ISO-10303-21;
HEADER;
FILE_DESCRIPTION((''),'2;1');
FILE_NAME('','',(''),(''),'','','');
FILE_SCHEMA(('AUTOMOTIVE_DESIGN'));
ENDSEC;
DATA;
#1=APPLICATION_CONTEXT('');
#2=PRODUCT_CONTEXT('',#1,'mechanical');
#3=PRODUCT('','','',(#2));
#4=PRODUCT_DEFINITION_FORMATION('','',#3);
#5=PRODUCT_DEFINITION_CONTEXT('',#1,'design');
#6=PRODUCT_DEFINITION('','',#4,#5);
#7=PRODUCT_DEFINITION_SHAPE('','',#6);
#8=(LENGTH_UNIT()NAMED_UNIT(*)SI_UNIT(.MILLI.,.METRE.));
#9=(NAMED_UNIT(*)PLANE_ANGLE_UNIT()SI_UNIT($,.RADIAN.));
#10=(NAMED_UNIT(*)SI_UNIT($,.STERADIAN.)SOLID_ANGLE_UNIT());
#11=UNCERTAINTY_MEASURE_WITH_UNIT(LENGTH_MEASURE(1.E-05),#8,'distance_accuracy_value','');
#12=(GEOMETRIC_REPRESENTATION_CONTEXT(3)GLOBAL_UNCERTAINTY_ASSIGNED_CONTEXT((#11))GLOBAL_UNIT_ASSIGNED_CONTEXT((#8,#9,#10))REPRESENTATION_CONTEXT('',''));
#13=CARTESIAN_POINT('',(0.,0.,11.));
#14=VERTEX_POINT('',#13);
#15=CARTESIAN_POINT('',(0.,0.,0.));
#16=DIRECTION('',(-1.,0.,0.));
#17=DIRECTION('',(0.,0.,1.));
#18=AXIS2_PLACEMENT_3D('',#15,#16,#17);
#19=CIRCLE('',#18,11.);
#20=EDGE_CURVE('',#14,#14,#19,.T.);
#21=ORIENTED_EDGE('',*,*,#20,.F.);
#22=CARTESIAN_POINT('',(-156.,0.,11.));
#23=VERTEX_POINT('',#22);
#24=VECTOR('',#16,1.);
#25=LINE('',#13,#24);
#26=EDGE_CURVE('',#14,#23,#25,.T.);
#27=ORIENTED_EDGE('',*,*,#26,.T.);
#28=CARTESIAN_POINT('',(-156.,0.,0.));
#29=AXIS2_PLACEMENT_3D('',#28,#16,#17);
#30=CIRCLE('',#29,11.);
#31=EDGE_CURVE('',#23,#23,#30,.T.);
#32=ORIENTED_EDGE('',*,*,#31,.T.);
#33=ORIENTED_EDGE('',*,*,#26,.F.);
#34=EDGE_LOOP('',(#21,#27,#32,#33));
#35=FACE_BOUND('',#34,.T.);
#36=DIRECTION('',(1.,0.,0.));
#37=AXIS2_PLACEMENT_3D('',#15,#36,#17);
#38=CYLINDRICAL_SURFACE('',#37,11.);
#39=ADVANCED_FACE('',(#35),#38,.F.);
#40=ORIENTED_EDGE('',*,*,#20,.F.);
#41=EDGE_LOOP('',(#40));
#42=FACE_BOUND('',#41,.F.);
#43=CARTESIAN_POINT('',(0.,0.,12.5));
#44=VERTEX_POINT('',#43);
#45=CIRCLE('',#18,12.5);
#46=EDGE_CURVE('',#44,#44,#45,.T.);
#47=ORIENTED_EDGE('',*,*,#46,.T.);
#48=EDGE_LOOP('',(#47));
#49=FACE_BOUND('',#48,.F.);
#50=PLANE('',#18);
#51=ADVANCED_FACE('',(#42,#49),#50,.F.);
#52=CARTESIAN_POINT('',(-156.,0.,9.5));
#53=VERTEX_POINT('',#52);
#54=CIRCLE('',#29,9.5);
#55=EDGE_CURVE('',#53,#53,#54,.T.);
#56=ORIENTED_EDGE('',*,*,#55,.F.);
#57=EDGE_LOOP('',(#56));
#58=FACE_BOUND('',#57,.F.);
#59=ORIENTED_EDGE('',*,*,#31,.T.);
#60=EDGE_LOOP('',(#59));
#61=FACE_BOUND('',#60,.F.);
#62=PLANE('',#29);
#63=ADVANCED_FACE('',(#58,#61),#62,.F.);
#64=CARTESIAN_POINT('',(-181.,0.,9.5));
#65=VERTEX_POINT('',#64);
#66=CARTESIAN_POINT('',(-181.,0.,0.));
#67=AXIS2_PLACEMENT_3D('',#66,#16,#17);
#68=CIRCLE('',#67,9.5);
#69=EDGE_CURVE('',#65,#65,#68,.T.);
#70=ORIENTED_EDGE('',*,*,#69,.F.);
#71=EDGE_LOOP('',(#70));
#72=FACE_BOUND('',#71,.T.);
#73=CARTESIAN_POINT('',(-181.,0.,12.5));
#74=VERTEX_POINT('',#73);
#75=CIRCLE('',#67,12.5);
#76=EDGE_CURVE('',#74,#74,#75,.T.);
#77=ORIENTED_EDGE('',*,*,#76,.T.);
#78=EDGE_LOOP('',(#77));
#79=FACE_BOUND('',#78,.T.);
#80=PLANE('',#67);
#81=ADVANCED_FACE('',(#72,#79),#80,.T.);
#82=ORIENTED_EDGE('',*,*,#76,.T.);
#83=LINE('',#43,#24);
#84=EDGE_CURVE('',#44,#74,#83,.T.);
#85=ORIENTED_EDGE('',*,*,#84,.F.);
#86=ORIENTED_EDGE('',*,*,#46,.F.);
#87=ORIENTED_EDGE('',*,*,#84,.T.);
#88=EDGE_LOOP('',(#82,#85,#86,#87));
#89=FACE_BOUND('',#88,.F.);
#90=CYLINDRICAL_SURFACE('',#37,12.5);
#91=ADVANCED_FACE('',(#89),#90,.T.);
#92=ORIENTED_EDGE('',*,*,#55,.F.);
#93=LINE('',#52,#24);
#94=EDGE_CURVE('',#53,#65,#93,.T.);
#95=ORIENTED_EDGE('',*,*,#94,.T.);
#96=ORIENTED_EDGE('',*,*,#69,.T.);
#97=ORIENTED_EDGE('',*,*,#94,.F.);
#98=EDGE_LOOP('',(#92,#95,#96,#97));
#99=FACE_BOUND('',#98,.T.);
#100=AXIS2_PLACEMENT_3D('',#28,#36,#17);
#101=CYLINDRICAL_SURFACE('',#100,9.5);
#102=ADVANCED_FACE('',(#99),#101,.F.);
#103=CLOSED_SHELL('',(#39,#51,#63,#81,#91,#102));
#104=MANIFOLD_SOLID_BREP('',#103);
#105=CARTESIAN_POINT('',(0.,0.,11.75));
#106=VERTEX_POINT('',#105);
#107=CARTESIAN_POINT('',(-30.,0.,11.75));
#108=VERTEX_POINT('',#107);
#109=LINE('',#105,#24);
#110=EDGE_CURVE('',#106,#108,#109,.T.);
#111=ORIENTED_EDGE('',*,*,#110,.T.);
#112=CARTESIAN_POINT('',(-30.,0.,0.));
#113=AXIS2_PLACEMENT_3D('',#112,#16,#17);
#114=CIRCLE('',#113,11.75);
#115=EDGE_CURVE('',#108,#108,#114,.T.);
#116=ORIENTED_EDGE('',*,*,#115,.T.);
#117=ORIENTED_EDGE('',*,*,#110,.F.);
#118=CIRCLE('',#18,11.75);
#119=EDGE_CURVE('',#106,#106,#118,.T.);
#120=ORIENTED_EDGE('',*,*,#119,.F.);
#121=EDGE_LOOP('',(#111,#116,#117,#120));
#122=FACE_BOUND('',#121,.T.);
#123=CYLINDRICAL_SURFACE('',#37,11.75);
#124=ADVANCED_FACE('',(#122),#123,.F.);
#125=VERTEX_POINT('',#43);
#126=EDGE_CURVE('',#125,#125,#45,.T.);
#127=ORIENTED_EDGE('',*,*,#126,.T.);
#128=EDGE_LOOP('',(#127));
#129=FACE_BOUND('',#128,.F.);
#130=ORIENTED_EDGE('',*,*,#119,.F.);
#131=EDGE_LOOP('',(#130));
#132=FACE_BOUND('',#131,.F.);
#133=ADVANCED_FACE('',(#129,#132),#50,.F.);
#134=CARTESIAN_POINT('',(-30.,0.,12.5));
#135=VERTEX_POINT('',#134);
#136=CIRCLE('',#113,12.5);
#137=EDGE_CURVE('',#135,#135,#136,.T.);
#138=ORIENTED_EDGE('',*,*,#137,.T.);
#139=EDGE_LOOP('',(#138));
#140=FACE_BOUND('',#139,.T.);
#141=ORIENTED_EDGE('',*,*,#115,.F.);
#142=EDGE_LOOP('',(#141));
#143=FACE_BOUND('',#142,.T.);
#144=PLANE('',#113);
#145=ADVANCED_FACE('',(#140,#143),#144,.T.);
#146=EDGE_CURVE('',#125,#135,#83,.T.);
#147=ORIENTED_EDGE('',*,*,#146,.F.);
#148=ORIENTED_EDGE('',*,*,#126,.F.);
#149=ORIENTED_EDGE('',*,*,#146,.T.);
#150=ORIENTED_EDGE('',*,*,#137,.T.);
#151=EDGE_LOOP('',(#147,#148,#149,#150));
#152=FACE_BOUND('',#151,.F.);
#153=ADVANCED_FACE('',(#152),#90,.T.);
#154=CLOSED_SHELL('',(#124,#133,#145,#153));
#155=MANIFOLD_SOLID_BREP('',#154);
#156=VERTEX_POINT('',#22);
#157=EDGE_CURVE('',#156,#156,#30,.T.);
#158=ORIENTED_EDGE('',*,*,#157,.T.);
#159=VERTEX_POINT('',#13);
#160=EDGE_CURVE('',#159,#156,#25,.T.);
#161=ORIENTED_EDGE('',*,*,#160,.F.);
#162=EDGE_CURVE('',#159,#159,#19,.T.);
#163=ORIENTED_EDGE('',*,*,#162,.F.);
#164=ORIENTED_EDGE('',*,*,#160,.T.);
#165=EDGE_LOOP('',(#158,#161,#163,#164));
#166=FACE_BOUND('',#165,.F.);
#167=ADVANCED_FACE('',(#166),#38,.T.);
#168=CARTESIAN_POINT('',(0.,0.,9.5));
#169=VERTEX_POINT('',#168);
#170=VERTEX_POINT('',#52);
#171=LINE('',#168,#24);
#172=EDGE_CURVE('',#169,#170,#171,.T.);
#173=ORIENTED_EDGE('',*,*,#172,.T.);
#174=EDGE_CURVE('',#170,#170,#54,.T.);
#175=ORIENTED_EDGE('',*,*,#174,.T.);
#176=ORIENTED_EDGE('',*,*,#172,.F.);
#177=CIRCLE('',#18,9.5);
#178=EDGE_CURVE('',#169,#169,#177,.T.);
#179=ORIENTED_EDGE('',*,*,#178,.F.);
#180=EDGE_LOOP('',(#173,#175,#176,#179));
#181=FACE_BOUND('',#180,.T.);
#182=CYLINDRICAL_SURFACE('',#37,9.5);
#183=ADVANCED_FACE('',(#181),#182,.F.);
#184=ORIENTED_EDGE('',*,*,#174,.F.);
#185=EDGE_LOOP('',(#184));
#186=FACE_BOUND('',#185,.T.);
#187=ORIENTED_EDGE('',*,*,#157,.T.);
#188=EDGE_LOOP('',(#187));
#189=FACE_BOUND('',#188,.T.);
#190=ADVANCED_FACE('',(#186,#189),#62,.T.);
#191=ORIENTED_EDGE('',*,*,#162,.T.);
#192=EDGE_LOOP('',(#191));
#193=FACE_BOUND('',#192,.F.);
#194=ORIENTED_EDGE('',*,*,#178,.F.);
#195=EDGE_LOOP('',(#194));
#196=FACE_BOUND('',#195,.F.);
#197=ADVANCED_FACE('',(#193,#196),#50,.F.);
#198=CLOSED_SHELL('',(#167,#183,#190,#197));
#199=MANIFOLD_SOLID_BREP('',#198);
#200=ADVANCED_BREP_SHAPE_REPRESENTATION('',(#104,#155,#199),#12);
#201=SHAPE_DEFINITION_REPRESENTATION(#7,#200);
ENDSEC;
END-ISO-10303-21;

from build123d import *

# Parameters (mm, degrees)
CYLINDER001_R           = 9.5
CYLINDER001_DEPTH       = 156
CYLINDER001_PITCH_ANGLE = -90
CYLINDER_R              = 11
CYLINDER_DEPTH          = 156
CYLINDER_PITCH_ANGLE    = -90
CYLINDER004_R           = 9.5
CYLINDER004_DEPTH       = 25
CYLINDER004_PITCH_ANGLE = -90
CYLINDER003_R           = 11
CYLINDER003_DEPTH       = 156
CYLINDER003_PITCH_ANGLE = -90
CYLINDER002_R           = 12.5
CYLINDER002_DEPTH       = 181
CYLINDER002_PITCH_ANGLE = -90
CYLINDER006_R           = 11.75
CYLINDER006_DEPTH       = 30
CYLINDER006_PITCH_ANGLE = -90
CYLINDER005_R           = 12.5
CYLINDER005_DEPTH       = 30
CYLINDER005_PITCH_ANGLE = -90


with BuildPart() as innerc:
    # Cylinder001 → Cylinder001 (new body)
    with BuildSketch(Plane.XY):
        Circle(CYLINDER001_R)
    extrude(amount=CYLINDER001_DEPTH)


with BuildPart() as innerc_1:
    # Cylinder001 pitch: moved
    add(innerc.part.rotate(Axis((0, 0, 0), (0, 1, 0)), CYLINDER001_PITCH_ANGLE))


with BuildPart() as innerc_2:
    # Cylinder001 placement: moved
    add(innerc_1.part)


with BuildPart() as steeltube:
    # Cylinder → Cylinder (new body)
    with BuildSketch(Plane.XY):
        Circle(CYLINDER_R)
    extrude(amount=CYLINDER_DEPTH)


with BuildPart() as steeltube_1:
    # Cylinder pitch: moved
    add(steeltube.part.rotate(Axis((0, 0, 0), (0, 1, 0)), CYLINDER_PITCH_ANGLE))


with BuildPart() as steeltube_2:
    # Cylinder placement: moved
    add(steeltube_1.part)

    # Cut: cut InnerC
    add(innerc_2.part, mode=Mode.SUBTRACT)


with BuildPart() as cylinder004:
    # Cylinder004 → Cylinder004 (new body)
    with BuildSketch(Plane.XY):
        Circle(CYLINDER004_R)
    extrude(amount=CYLINDER004_DEPTH)


with BuildPart() as cylinder004_1:
    # Cylinder004 pitch: moved
    add(cylinder004.part.rotate(Axis((0, 0, 0), (0, 1, 0)), CYLINDER004_PITCH_ANGLE))


with BuildPart() as cylinder004_2:
    # Cylinder004 placement: moved
    add(cylinder004_1.part.moved(Location((-156, 0, 0))))


with BuildPart() as cylinder003:
    # Cylinder003 → Cylinder003 (new body)
    with BuildSketch(Plane.XY):
        Circle(CYLINDER003_R)
    extrude(amount=CYLINDER003_DEPTH)


with BuildPart() as cylinder003_1:
    # Cylinder003 pitch: moved
    add(cylinder003.part.rotate(Axis((0, 0, 0), (0, 1, 0)), CYLINDER003_PITCH_ANGLE))


with BuildPart() as cylinder003_2:
    # Cylinder003 placement: moved
    add(cylinder003_1.part)


with BuildPart() as batterypart:
    # Cylinder002 → Cylinder002 (new body)
    with BuildSketch(Plane.XY):
        Circle(CYLINDER002_R)
    extrude(amount=CYLINDER002_DEPTH)


with BuildPart() as batterypart_1:
    # Cylinder002 pitch: moved
    add(batterypart.part.rotate(Axis((0, 0, 0), (0, 1, 0)), CYLINDER002_PITCH_ANGLE))


with BuildPart() as batterypart_2:
    # Cylinder002 placement: moved
    add(batterypart_1.part)

    # Cut001: cut Cylinder003
    add(cylinder003_2.part, mode=Mode.SUBTRACT)

    # Cut002: cut Cylinder004
    add(cylinder004_2.part, mode=Mode.SUBTRACT)


with BuildPart() as cylinder006:
    # Cylinder006 → Cylinder006 (new body)
    with BuildSketch(Plane.XY):
        Circle(CYLINDER006_R)
    extrude(amount=CYLINDER006_DEPTH)


with BuildPart() as cylinder006_1:
    # Cylinder006 pitch: moved
    add(cylinder006.part.rotate(Axis((0, 0, 0), (0, 1, 0)), CYLINDER006_PITCH_ANGLE))


with BuildPart() as cylinder006_2:
    # Cylinder006 placement: moved
    add(cylinder006_1.part)


with BuildPart() as cut003:
    # Cylinder005 → Cylinder005 (new body)
    with BuildSketch(Plane.XY):
        Circle(CYLINDER005_R)
    extrude(amount=CYLINDER005_DEPTH)


with BuildPart() as cut003_1:
    # Cylinder005 pitch: moved
    add(cut003.part.rotate(Axis((0, 0, 0), (0, 1, 0)), CYLINDER005_PITCH_ANGLE))


with BuildPart() as cut003_2:
    # Cylinder005 placement: moved
    add(cut003_1.part)

    # Cut003: cut Cylinder006
    add(cylinder006_2.part, mode=Mode.SUBTRACT)


solid = Compound([steeltube_2.part, batterypart_2.part, cut003_2.part])
